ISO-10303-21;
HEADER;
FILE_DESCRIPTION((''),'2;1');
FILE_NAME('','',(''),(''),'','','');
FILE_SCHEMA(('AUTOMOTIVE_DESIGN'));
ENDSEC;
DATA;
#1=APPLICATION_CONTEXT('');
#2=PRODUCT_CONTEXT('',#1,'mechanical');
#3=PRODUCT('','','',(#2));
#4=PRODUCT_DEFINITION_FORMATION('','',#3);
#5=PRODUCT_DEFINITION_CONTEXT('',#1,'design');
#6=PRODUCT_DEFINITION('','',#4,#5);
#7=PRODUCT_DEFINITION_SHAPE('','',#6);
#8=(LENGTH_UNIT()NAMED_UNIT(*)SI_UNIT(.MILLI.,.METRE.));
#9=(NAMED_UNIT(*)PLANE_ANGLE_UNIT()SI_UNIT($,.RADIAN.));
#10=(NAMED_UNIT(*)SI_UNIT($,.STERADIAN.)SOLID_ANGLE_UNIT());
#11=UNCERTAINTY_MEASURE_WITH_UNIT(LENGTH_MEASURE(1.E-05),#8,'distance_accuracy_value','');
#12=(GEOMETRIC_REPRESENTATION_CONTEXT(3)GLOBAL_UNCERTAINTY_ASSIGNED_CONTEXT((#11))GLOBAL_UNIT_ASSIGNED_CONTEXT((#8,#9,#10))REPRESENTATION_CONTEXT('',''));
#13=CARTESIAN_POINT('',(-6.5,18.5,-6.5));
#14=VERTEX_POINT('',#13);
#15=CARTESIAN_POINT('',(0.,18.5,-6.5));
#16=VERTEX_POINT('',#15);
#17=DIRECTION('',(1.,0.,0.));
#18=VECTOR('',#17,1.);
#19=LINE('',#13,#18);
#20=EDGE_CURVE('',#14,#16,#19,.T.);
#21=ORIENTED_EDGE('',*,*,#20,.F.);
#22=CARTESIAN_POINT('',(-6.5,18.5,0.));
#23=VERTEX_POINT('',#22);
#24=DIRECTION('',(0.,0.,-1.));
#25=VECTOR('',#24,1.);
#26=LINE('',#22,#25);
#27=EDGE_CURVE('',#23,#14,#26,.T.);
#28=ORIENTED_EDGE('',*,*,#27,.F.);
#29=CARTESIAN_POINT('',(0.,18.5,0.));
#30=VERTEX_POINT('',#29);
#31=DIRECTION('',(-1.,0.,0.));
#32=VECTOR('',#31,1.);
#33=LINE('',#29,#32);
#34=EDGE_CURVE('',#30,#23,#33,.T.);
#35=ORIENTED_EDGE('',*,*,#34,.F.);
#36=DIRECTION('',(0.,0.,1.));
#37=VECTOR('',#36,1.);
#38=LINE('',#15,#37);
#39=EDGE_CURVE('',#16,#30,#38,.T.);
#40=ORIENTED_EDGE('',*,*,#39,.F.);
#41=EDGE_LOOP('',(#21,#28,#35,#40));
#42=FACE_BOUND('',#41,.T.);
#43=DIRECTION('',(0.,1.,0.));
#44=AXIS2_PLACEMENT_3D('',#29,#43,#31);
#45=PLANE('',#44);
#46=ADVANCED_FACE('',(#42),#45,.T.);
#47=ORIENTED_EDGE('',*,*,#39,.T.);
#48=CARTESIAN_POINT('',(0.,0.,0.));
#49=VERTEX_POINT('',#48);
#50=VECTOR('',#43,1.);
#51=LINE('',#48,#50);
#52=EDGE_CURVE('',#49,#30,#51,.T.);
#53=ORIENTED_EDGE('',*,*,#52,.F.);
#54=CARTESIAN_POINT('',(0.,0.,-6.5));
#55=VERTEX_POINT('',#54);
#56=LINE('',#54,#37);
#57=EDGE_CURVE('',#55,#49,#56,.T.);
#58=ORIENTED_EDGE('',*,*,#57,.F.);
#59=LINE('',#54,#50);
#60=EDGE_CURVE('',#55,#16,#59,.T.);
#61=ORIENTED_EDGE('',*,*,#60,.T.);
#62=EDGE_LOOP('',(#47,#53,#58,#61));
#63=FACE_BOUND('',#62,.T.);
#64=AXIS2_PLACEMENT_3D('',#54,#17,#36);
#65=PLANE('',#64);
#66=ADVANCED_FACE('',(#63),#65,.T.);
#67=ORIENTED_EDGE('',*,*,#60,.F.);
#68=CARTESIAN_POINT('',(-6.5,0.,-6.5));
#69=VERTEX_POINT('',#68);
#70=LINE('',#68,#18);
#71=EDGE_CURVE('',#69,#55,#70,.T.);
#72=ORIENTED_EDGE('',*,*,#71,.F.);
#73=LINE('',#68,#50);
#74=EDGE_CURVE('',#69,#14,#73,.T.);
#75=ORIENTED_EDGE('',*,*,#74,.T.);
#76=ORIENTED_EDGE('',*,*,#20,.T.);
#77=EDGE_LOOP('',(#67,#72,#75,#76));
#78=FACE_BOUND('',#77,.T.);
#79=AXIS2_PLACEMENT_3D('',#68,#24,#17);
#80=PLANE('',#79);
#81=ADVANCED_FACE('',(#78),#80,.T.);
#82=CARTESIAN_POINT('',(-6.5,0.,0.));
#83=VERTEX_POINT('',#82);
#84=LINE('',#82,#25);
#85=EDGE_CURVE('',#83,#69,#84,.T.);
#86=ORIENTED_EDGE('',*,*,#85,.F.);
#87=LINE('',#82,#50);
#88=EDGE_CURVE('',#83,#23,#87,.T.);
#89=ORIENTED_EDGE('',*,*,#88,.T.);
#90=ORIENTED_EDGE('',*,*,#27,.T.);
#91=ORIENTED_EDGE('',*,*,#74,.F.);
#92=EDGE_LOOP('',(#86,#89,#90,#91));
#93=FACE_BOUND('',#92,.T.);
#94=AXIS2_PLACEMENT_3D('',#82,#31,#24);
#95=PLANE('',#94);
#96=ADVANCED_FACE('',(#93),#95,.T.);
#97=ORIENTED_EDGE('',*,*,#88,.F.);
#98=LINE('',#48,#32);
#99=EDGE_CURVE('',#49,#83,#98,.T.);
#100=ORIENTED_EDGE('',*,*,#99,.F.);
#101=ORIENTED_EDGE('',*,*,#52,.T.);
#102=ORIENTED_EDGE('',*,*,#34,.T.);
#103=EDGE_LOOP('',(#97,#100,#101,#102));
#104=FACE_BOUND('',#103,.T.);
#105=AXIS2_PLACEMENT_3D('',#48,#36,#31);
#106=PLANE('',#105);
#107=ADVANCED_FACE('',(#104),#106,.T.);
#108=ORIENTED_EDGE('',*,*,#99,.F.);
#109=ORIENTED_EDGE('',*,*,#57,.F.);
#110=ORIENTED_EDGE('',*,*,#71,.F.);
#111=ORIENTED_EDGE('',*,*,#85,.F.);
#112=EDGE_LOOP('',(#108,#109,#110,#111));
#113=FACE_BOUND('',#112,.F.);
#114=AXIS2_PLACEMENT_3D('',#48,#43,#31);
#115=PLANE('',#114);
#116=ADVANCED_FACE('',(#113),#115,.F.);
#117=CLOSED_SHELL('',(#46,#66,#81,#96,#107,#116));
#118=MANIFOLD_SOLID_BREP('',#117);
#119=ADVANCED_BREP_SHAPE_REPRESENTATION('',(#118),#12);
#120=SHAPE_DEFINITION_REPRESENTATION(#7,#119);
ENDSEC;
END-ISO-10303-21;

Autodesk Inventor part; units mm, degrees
ref_plane "YZ Plane" through (0, 0, 0) normal (1, 0, 0) x (0, 1, 0)
ref_plane "XZ Plane" through (0, 0, 0) normal (0, 1, 0) x (-1, 0, 0)
ref_plane "XY Plane" through (0, 0, 0) normal (0, 0, 1) x (1, 0, 0)
sketch "Sketch1" plane through (0, 0, 0) normal (0, 1, 0) x (-1, 0, 0)
  line L0 (0, 0) -> (6.5, 0)
  line L1 (6.5, 0) -> (6.5, -6.5)
  line L2 (6.5, -6.5) -> (0, -6.5)
  line L3 (0, -6.5) -> (0, 0)
  dimension "d0" = 6.5
  dimension "d1" = 6.5
extrude "Extrusion1" add sketch "Sketch1" along normal blind 18.5
properties part number "latticeStandIn"
